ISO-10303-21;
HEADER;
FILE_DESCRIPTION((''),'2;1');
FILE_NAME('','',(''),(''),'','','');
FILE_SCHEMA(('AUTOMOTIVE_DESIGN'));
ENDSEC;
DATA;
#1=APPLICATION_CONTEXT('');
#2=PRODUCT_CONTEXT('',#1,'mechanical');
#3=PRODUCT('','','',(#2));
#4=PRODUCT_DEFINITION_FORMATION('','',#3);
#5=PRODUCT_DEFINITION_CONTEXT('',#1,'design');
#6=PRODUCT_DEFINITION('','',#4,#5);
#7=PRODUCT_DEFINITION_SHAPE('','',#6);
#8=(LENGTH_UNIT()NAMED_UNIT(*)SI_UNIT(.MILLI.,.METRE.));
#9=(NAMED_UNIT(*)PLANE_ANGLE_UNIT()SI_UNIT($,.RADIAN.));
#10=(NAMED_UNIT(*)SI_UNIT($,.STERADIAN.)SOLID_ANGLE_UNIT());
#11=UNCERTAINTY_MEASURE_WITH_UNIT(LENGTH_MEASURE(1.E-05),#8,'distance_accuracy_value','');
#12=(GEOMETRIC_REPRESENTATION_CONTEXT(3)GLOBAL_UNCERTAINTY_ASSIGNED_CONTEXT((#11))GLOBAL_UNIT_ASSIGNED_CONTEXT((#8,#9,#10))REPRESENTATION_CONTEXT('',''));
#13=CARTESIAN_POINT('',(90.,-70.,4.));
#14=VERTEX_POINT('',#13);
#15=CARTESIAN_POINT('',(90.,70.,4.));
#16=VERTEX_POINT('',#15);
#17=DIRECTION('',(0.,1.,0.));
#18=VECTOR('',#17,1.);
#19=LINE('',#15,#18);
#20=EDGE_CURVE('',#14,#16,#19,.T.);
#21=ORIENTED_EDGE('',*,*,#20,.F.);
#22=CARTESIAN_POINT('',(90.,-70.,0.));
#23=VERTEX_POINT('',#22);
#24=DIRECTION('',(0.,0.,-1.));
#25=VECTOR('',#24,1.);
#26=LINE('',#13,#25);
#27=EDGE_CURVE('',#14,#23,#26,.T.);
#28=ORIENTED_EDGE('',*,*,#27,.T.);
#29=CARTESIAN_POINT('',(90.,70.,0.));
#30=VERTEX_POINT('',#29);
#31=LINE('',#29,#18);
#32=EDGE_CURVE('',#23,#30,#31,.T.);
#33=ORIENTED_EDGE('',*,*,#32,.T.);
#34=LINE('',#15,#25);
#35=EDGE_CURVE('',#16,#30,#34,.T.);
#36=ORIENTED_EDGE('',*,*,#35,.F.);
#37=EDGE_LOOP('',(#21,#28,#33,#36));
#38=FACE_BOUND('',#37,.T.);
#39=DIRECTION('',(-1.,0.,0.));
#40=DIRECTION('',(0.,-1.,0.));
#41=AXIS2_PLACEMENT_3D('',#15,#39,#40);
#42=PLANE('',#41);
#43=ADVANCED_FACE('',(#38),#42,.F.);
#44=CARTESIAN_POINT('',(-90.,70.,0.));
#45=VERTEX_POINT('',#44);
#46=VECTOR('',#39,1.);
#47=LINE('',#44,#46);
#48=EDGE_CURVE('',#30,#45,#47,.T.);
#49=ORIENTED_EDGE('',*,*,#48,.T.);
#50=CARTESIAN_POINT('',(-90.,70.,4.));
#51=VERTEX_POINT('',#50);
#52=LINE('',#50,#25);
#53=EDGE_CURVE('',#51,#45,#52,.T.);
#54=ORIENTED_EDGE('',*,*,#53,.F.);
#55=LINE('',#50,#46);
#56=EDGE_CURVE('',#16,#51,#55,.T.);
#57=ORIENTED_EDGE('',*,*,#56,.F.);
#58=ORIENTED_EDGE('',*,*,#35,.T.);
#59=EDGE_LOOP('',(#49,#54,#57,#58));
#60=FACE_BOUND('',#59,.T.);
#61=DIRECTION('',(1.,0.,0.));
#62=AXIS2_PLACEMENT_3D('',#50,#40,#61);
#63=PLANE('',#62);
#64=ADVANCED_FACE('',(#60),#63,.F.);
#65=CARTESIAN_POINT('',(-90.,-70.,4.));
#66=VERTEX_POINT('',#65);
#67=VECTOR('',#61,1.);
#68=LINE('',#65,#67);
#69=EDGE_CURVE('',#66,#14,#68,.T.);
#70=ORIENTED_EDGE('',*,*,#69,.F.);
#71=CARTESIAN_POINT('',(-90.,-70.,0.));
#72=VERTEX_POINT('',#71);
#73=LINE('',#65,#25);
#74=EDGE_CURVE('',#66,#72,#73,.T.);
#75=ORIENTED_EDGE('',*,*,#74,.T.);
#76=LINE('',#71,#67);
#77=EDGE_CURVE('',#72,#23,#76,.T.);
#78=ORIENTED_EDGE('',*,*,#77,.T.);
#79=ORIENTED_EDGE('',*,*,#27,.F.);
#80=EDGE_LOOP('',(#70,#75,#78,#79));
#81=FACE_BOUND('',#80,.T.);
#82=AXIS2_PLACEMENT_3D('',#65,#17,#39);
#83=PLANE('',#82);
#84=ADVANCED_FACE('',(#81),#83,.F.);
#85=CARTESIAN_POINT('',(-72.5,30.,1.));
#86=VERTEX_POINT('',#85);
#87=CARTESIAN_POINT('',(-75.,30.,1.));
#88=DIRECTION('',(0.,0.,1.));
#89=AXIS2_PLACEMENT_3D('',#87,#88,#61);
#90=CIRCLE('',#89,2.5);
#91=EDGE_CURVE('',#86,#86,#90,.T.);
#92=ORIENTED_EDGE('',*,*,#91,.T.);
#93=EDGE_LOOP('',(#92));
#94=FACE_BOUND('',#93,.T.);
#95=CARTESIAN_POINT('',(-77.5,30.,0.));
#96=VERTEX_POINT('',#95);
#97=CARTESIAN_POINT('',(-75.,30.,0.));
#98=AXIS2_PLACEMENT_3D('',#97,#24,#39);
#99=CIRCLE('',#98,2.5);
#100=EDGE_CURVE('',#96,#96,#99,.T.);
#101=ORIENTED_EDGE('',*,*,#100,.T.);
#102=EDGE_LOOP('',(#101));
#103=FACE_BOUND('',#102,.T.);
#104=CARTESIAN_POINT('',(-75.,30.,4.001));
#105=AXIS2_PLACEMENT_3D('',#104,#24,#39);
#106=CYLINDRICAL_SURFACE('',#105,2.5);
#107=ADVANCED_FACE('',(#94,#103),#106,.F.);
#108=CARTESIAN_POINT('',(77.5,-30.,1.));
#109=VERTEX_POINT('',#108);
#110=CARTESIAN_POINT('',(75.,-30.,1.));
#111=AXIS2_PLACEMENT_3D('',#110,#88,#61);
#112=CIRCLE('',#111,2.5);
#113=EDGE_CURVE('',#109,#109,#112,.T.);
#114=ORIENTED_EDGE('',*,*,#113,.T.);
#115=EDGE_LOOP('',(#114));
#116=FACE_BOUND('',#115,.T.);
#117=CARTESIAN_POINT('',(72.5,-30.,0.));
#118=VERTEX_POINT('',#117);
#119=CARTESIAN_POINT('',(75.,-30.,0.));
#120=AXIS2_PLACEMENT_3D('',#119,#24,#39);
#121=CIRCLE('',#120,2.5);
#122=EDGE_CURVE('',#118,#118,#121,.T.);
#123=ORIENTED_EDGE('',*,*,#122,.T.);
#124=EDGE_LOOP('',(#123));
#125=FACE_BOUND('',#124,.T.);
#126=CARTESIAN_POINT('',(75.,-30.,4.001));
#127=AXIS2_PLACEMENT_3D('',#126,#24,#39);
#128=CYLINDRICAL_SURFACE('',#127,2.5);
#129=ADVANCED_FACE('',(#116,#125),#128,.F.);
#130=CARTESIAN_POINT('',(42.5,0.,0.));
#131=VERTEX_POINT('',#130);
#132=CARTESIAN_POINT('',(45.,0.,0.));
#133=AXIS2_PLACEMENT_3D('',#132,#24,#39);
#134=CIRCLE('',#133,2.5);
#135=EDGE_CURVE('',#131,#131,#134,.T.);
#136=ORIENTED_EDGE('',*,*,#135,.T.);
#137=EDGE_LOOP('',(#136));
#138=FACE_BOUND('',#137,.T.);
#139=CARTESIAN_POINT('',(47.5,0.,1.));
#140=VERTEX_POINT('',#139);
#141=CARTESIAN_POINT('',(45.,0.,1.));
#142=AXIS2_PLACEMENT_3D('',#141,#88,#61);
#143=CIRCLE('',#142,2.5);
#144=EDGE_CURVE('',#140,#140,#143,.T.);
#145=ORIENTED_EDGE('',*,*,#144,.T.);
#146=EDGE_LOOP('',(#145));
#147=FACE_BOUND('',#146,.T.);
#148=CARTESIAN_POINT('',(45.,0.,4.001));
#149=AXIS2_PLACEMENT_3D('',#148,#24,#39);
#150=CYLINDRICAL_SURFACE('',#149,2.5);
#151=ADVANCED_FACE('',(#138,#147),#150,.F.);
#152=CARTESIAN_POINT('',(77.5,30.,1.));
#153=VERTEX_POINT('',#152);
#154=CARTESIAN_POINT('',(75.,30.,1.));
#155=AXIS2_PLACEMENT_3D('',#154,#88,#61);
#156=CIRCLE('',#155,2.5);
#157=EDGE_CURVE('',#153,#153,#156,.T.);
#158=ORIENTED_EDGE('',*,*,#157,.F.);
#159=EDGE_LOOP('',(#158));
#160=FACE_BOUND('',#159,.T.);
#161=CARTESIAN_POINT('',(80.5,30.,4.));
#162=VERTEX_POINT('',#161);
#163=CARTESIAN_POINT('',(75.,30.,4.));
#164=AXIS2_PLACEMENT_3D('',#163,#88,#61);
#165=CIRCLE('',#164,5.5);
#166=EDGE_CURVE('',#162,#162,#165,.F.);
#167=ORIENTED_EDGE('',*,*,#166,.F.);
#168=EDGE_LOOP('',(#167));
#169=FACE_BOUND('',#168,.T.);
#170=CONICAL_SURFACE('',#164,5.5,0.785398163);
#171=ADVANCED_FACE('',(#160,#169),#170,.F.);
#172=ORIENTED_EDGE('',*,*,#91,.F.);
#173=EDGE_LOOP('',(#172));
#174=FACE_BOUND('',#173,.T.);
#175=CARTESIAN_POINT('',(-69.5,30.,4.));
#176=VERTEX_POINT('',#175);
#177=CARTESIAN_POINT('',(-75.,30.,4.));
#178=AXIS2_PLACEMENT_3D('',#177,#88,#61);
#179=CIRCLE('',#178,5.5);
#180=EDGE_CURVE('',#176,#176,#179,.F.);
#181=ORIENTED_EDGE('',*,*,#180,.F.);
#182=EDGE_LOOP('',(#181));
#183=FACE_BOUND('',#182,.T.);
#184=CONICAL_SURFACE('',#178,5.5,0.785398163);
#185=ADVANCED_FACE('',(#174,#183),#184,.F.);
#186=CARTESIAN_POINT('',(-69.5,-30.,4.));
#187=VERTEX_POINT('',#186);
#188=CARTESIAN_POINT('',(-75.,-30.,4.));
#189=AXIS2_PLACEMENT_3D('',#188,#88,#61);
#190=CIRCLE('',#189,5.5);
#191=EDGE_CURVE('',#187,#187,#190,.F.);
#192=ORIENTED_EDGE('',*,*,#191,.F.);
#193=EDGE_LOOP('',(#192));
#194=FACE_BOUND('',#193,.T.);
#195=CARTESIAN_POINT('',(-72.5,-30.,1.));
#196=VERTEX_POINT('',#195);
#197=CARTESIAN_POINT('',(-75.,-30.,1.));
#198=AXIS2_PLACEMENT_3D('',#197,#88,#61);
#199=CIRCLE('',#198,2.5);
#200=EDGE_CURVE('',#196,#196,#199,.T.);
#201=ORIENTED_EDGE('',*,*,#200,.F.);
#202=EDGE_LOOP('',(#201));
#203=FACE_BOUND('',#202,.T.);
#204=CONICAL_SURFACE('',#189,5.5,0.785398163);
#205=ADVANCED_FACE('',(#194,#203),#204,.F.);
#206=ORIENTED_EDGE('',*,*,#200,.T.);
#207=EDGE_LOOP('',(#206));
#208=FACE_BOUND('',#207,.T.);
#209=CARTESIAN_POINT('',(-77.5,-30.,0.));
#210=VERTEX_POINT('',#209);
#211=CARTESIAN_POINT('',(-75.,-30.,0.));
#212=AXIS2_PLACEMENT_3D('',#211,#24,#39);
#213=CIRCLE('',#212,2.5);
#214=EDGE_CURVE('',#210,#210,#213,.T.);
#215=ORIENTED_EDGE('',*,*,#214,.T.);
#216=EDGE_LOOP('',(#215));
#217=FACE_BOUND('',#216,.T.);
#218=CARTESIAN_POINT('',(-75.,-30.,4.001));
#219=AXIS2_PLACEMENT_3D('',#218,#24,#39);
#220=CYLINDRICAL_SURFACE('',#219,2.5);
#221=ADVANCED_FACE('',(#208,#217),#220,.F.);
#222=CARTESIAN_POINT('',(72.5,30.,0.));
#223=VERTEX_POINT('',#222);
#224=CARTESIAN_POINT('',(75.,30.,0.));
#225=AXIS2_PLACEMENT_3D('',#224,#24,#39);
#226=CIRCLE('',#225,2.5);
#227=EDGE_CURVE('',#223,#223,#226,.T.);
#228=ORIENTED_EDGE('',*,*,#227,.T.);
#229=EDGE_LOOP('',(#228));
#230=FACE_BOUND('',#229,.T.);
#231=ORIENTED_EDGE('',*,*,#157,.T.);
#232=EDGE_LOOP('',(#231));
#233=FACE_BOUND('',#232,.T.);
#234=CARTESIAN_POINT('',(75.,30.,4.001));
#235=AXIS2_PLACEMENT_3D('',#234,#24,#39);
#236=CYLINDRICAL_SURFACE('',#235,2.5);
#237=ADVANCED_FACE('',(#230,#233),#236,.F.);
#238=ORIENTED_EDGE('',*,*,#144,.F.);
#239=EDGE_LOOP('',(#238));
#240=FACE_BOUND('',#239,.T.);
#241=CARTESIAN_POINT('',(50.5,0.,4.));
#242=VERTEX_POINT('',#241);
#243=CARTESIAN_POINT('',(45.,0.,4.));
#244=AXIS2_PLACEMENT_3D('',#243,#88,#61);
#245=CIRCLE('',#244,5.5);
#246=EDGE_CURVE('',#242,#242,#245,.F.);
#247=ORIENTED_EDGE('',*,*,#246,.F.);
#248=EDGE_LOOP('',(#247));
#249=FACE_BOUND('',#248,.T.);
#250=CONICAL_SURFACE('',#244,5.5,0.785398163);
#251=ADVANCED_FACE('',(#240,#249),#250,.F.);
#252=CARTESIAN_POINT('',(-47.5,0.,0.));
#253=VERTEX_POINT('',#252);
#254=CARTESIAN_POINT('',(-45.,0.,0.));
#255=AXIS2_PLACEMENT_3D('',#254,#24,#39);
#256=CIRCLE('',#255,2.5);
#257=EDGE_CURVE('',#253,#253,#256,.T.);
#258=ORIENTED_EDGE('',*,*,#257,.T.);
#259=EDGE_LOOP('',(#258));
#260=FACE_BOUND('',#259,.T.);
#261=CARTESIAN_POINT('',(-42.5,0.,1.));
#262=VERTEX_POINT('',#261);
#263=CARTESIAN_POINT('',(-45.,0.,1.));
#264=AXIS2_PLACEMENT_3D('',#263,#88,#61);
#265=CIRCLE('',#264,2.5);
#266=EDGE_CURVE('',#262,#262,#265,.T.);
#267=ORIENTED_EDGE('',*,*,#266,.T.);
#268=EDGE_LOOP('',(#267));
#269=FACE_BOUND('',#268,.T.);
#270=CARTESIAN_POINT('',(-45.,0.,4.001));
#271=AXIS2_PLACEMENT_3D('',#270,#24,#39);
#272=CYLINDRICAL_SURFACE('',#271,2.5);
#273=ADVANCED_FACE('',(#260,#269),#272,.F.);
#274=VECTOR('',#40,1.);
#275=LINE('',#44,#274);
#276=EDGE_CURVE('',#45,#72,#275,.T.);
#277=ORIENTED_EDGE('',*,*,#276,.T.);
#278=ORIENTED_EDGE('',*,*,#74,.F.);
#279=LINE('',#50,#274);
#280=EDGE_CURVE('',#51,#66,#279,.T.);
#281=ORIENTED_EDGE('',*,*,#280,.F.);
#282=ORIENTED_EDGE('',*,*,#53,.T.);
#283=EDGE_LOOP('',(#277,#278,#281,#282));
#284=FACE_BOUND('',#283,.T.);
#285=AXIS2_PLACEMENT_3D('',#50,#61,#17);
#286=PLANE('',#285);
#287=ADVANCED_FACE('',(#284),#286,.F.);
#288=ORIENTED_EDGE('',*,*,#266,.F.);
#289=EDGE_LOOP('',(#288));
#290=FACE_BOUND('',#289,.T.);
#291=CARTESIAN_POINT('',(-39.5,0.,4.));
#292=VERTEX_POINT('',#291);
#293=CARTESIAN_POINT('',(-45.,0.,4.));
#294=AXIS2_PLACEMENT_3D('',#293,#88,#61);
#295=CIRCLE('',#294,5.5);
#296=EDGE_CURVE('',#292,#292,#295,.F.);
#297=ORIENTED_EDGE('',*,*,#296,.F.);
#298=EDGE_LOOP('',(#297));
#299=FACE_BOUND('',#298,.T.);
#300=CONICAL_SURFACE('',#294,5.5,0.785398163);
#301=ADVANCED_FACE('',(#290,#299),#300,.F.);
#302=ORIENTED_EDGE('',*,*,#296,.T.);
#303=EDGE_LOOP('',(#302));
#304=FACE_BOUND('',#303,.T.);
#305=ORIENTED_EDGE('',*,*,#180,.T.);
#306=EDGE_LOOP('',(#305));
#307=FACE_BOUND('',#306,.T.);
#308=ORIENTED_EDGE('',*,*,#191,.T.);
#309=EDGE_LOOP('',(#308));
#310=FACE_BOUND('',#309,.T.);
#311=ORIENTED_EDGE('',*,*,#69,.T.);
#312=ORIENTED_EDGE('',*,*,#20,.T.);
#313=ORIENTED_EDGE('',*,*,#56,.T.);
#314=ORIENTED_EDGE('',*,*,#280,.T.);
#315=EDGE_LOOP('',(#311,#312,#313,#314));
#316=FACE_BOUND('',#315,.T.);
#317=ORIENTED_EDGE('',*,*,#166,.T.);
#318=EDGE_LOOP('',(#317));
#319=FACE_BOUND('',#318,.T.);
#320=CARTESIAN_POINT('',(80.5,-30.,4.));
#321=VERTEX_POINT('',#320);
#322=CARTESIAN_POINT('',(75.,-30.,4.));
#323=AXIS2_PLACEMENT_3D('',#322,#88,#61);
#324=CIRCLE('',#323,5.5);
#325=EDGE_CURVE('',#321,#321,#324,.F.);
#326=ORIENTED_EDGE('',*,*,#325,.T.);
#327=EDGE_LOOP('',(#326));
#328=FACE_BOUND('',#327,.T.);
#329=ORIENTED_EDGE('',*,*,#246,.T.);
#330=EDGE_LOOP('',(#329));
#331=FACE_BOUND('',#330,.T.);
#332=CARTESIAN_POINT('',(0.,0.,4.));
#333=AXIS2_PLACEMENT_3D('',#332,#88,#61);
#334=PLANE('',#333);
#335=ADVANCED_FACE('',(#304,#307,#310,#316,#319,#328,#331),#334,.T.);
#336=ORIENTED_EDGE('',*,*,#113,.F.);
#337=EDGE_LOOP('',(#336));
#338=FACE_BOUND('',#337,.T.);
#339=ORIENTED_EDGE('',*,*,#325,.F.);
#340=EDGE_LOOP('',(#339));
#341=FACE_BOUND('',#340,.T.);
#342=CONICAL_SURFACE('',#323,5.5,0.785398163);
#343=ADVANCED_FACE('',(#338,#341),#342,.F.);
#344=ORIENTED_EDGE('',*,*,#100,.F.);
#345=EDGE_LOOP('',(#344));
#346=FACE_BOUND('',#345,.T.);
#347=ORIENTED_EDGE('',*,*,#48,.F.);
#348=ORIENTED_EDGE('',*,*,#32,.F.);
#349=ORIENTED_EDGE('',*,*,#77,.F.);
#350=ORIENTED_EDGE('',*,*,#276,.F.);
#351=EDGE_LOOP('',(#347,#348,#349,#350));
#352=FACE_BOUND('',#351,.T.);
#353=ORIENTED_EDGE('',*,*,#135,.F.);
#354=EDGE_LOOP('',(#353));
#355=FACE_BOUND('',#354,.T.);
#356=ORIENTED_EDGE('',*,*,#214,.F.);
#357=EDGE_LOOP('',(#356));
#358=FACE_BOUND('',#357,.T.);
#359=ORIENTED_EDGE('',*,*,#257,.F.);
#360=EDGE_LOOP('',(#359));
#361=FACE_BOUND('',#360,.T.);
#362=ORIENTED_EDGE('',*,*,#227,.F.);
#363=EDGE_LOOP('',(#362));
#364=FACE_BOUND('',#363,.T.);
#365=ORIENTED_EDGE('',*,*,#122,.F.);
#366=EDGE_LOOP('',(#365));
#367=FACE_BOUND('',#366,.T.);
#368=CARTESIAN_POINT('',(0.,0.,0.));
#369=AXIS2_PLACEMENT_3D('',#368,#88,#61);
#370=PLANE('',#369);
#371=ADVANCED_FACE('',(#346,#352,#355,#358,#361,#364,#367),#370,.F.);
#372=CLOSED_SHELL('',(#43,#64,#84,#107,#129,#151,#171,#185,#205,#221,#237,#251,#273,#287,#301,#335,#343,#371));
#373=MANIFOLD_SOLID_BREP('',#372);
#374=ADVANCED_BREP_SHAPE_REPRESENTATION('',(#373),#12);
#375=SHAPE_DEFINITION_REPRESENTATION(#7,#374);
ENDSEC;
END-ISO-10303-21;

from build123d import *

# Parameters (mm, degrees)
SKETCH1_W           = 180
SKETCH1_H           = 140
BOSS_EXTRUDE1_DEPTH = 4
CUT_EXTRUDE1_REACH  = 116.088
SKETCH2_R           = 2.5
CHAMFER1_SIZE       = 3


with BuildPart() as part:
    # Sketch1 → Boss-Extrude1 (new body)
    with BuildSketch(Plane.XY):
        Rectangle(SKETCH1_W, SKETCH1_H)
    extrude(amount=BOSS_EXTRUDE1_DEPTH)

    # Sketch2 → Cut-Extrude1 (cut, up to next)
    with BuildSketch(Plane(origin=(0, 0, 0), x_dir=(-1, 0, 0), z_dir=(0, 0, -1)), mode=Mode.PRIVATE) as cut_extrude1_sk1:
        with Locations((-75, 30)):
            Circle(SKETCH2_R)
    cut_extrude1_tool1 = extrude(cut_extrude1_sk1.sketch, amount=-CUT_EXTRUDE1_REACH, mode=Mode.PRIVATE) & part.part
    # Sketch2 → Cut-Extrude1 (cut, up to next)
    with BuildSketch(Plane(origin=(0, 0, 0), x_dir=(-1, 0, 0), z_dir=(0, 0, -1)), mode=Mode.PRIVATE) as cut_extrude1_sk2:
        with Locations((-75, -30)):
            Circle(SKETCH2_R)
    cut_extrude1_tool2 = extrude(cut_extrude1_sk2.sketch, amount=-CUT_EXTRUDE1_REACH, mode=Mode.PRIVATE) & part.part
    # Sketch2 → Cut-Extrude1 (cut, up to next)
    with BuildSketch(Plane(origin=(0, 0, 0), x_dir=(-1, 0, 0), z_dir=(0, 0, -1)), mode=Mode.PRIVATE) as cut_extrude1_sk3:
        with Locations((75, -30)):
            Circle(SKETCH2_R)
    cut_extrude1_tool3 = extrude(cut_extrude1_sk3.sketch, amount=-CUT_EXTRUDE1_REACH, mode=Mode.PRIVATE) & part.part
    # Sketch2 → Cut-Extrude1 (cut, up to next)
    with BuildSketch(Plane(origin=(0, 0, 0), x_dir=(-1, 0, 0), z_dir=(0, 0, -1)), mode=Mode.PRIVATE) as cut_extrude1_sk4:
        with Locations((75, 30)):
            Circle(SKETCH2_R)
    cut_extrude1_tool4 = extrude(cut_extrude1_sk4.sketch, amount=-CUT_EXTRUDE1_REACH, mode=Mode.PRIVATE) & part.part
    # Sketch2 → Cut-Extrude1 (cut, up to next)
    with BuildSketch(Plane(origin=(0, 0, 0), x_dir=(-1, 0, 0), z_dir=(0, 0, -1)), mode=Mode.PRIVATE) as cut_extrude1_sk5:
        with Locations((45, 0)):
            Circle(SKETCH2_R)
    cut_extrude1_tool5 = extrude(cut_extrude1_sk5.sketch, amount=-CUT_EXTRUDE1_REACH, mode=Mode.PRIVATE) & part.part
    # Sketch2 → Cut-Extrude1 (cut, up to next)
    with BuildSketch(Plane(origin=(0, 0, 0), x_dir=(-1, 0, 0), z_dir=(0, 0, -1)), mode=Mode.PRIVATE) as cut_extrude1_sk6:
        with Locations((-45, 0)):
            Circle(SKETCH2_R)
    cut_extrude1_tool6 = extrude(cut_extrude1_sk6.sketch, amount=-CUT_EXTRUDE1_REACH, mode=Mode.PRIVATE) & part.part
    add(cut_extrude1_tool1.solids().sort_by_distance((75, 30, 0))[0], mode=Mode.SUBTRACT)
    add(cut_extrude1_tool2.solids().sort_by_distance((75, -30, 0))[0], mode=Mode.SUBTRACT)
    add(cut_extrude1_tool3.solids().sort_by_distance((-75, -30, 0))[0], mode=Mode.SUBTRACT)
    add(cut_extrude1_tool4.solids().sort_by_distance((-75, 30, 0))[0], mode=Mode.SUBTRACT)
    add(cut_extrude1_tool5.solids().sort_by_distance((-45, 0, 0))[0], mode=Mode.SUBTRACT)
    add(cut_extrude1_tool6.solids().sort_by_distance((45, 0, 0))[0], mode=Mode.SUBTRACT)

    # Chamfer1
    chamfer1_edges = [part.edges().sort_by_distance(p)[0] for p in [
        (77.5, 30, 4),
        (77.5, -30, 4),
        (-72.5, -30, 4),
        (-72.5, 30, 4),
        (-42.5, 0, 4),
        (47.5, 0, 4),
    ]]
    chamfer(chamfer1_edges, length=CHAMFER1_SIZE)


solid = part.part
